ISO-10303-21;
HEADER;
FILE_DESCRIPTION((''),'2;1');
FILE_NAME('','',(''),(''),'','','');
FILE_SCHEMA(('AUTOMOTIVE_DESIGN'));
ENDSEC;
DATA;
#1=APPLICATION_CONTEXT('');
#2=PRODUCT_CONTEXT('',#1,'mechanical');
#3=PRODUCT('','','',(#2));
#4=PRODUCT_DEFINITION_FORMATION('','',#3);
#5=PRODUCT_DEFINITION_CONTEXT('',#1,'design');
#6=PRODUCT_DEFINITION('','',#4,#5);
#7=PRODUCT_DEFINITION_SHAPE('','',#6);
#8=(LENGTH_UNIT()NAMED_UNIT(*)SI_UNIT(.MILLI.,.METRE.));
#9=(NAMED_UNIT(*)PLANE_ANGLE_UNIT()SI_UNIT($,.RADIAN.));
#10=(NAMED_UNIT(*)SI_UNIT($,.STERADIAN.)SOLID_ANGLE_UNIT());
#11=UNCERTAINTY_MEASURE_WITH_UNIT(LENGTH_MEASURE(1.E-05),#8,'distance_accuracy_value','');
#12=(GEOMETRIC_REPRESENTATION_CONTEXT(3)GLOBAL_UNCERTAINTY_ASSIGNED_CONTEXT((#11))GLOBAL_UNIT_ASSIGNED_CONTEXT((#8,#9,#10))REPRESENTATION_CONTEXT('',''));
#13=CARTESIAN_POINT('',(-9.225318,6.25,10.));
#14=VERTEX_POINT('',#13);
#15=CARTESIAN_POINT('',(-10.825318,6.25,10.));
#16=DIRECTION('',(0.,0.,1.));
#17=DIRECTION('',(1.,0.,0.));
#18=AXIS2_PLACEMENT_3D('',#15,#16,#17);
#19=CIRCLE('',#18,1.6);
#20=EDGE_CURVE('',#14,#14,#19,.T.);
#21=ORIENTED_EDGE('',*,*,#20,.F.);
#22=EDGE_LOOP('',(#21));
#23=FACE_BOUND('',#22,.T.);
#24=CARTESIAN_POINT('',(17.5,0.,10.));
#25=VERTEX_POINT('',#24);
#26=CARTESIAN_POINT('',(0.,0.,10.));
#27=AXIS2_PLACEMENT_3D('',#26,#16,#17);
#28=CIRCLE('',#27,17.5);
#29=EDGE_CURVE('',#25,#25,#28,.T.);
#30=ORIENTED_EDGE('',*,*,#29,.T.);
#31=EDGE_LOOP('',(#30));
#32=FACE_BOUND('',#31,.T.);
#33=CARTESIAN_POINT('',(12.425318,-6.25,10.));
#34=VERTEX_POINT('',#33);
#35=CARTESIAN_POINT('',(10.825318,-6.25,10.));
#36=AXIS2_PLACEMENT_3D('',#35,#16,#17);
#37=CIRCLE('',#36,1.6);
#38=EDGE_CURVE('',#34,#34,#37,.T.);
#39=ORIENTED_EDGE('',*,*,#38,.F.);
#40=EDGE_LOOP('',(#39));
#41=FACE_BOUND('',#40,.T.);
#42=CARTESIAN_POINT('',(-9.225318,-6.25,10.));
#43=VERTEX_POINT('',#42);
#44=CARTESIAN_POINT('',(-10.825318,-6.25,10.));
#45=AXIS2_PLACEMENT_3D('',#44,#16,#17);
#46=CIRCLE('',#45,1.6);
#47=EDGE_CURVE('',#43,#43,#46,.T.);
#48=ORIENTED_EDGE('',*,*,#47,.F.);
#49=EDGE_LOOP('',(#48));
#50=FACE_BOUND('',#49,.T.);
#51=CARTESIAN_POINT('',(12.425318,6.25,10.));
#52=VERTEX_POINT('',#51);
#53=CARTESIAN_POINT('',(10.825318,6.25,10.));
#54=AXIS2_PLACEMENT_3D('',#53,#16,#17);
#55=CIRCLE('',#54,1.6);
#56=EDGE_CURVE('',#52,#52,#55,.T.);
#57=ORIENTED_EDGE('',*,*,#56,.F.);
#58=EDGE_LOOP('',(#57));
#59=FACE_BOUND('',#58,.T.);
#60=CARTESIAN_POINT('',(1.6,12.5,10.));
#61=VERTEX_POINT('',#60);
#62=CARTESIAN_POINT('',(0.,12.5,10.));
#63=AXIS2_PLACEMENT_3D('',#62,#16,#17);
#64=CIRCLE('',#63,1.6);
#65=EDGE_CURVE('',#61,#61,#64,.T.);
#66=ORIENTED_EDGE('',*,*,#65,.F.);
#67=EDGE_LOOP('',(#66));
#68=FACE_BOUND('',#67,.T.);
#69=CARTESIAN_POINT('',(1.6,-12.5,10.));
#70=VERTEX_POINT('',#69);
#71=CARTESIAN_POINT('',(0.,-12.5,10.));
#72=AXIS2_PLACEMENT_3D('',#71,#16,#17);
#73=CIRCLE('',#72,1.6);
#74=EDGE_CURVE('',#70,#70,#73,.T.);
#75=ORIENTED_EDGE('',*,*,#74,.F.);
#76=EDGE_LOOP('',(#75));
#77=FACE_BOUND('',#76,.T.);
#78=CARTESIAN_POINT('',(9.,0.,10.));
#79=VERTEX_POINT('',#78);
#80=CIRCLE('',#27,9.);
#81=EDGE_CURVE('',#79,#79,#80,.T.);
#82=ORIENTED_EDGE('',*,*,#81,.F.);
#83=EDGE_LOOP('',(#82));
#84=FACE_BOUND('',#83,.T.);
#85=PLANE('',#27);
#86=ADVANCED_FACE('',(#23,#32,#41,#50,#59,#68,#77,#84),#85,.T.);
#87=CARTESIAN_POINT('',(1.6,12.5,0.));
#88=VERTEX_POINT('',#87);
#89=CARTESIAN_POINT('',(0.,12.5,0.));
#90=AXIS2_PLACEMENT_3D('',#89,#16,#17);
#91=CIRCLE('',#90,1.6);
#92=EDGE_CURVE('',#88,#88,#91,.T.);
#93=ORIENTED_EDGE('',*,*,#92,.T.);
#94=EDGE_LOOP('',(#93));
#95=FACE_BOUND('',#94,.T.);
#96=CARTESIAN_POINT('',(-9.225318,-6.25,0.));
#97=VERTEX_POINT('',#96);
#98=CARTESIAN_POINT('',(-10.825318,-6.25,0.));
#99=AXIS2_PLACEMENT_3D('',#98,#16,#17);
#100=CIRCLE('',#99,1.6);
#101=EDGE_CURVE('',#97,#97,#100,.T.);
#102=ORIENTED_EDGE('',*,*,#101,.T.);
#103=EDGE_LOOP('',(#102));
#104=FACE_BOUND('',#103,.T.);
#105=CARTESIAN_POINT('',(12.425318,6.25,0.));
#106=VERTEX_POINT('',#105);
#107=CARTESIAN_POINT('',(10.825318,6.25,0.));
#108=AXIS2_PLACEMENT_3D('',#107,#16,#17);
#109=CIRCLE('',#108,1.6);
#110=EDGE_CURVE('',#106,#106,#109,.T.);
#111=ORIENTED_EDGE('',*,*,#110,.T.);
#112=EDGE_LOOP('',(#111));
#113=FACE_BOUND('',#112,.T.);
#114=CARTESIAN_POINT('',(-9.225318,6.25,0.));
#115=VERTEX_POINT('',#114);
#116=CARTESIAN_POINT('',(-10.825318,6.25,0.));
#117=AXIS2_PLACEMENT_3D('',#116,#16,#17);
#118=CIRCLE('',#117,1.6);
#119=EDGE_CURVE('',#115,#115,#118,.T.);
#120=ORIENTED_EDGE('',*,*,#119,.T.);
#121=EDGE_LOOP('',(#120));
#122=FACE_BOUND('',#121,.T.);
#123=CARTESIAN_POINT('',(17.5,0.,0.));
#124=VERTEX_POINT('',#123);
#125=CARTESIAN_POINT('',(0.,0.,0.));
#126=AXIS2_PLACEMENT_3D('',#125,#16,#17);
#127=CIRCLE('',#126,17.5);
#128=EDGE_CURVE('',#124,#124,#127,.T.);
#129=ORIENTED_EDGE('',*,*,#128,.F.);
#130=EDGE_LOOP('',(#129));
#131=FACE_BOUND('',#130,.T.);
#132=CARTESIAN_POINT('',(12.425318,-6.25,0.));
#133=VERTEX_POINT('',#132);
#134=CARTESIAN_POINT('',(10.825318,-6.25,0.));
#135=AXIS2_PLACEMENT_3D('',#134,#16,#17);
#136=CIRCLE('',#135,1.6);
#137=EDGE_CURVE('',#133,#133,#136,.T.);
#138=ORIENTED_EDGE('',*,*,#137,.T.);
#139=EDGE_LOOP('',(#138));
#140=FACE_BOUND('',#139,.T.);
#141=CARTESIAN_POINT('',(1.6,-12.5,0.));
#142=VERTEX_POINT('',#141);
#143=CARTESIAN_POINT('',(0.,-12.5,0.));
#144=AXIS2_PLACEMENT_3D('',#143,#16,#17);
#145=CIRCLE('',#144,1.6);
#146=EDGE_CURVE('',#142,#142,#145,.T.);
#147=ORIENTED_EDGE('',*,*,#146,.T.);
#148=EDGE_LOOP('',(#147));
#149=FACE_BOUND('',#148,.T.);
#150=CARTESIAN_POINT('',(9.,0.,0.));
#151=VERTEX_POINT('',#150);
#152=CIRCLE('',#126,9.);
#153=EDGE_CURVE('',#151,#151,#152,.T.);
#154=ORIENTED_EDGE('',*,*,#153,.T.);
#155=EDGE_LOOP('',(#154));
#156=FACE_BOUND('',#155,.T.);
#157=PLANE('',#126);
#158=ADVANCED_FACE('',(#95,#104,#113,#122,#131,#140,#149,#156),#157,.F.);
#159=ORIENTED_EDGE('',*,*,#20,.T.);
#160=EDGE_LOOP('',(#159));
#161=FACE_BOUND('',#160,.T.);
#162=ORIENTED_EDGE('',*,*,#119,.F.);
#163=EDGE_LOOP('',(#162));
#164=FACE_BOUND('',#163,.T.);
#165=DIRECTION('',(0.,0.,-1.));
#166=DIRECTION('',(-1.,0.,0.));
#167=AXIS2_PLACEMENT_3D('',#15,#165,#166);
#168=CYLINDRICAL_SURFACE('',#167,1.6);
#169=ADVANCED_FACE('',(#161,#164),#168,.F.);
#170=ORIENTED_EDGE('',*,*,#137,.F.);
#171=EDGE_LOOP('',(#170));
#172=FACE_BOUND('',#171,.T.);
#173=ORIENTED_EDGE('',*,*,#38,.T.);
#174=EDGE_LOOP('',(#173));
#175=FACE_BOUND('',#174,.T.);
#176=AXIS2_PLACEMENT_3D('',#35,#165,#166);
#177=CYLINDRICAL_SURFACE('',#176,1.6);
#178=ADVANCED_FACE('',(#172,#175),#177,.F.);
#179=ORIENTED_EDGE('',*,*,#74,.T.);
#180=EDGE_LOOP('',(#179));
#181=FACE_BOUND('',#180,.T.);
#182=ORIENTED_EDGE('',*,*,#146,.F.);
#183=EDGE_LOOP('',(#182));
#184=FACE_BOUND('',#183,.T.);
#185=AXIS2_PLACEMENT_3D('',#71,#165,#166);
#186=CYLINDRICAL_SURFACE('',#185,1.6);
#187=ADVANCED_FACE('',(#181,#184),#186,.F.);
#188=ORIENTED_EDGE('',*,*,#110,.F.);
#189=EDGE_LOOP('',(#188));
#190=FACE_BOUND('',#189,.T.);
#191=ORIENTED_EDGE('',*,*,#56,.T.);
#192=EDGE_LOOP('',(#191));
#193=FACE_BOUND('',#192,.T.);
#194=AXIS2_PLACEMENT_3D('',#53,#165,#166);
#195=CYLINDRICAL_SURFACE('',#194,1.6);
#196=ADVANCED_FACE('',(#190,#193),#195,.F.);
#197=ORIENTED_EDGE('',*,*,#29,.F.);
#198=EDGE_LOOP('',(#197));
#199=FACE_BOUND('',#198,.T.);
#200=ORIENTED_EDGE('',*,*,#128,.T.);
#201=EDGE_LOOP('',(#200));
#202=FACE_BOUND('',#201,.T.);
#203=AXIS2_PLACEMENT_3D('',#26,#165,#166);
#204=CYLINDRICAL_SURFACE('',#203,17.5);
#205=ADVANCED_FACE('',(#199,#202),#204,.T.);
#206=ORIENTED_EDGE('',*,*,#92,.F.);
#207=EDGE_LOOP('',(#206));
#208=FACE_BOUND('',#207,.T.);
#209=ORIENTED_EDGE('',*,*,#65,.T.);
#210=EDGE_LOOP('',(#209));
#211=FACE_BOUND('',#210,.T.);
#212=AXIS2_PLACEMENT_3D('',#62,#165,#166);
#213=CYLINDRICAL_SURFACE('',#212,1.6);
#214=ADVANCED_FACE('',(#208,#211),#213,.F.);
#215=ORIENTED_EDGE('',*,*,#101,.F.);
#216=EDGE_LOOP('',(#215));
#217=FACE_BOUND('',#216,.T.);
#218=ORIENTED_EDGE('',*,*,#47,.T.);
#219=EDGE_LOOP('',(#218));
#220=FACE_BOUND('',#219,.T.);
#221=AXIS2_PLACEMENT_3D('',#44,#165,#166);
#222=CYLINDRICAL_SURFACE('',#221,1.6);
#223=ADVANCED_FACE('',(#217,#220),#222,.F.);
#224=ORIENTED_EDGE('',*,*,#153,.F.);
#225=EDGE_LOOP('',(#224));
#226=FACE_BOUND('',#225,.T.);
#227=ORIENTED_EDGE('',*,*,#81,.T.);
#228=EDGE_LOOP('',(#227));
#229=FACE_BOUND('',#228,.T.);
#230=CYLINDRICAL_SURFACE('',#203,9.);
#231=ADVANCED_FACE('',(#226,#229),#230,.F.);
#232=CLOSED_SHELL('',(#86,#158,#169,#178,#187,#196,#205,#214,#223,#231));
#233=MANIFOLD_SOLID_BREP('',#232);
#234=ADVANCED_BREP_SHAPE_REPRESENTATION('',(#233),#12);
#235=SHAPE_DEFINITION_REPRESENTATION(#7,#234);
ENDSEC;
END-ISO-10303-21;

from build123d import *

# Parameters (mm, degrees)
SKETCH1_R           = 17.5
SKETCH1_R_2         = 1.6
SKETCH1_R_3         = 9
BOSS_EXTRUDE1_DEPTH = 10


with BuildPart() as part:
    # Sketch1 → Boss-Extrude1 (new body)
    with BuildSketch(Plane.XY):
        Circle(SKETCH1_R)
        with Locations((0, 12.5)):
            Circle(SKETCH1_R_2, mode=Mode.SUBTRACT)
        with Locations((10.825317547, 6.25)):
            Circle(SKETCH1_R_2, mode=Mode.SUBTRACT)
        with Locations((10.825317547, -6.25)):
            Circle(SKETCH1_R_2, mode=Mode.SUBTRACT)
        with Locations((0, -12.5)):
            Circle(SKETCH1_R_2, mode=Mode.SUBTRACT)
        with Locations((-10.825317547, -6.25)):
            Circle(SKETCH1_R_2, mode=Mode.SUBTRACT)
        with Locations((-10.825317547, 6.25)):
            Circle(SKETCH1_R_2, mode=Mode.SUBTRACT)
        Circle(SKETCH1_R_3, mode=Mode.SUBTRACT)
    extrude(amount=BOSS_EXTRUDE1_DEPTH)


solid = part.part
